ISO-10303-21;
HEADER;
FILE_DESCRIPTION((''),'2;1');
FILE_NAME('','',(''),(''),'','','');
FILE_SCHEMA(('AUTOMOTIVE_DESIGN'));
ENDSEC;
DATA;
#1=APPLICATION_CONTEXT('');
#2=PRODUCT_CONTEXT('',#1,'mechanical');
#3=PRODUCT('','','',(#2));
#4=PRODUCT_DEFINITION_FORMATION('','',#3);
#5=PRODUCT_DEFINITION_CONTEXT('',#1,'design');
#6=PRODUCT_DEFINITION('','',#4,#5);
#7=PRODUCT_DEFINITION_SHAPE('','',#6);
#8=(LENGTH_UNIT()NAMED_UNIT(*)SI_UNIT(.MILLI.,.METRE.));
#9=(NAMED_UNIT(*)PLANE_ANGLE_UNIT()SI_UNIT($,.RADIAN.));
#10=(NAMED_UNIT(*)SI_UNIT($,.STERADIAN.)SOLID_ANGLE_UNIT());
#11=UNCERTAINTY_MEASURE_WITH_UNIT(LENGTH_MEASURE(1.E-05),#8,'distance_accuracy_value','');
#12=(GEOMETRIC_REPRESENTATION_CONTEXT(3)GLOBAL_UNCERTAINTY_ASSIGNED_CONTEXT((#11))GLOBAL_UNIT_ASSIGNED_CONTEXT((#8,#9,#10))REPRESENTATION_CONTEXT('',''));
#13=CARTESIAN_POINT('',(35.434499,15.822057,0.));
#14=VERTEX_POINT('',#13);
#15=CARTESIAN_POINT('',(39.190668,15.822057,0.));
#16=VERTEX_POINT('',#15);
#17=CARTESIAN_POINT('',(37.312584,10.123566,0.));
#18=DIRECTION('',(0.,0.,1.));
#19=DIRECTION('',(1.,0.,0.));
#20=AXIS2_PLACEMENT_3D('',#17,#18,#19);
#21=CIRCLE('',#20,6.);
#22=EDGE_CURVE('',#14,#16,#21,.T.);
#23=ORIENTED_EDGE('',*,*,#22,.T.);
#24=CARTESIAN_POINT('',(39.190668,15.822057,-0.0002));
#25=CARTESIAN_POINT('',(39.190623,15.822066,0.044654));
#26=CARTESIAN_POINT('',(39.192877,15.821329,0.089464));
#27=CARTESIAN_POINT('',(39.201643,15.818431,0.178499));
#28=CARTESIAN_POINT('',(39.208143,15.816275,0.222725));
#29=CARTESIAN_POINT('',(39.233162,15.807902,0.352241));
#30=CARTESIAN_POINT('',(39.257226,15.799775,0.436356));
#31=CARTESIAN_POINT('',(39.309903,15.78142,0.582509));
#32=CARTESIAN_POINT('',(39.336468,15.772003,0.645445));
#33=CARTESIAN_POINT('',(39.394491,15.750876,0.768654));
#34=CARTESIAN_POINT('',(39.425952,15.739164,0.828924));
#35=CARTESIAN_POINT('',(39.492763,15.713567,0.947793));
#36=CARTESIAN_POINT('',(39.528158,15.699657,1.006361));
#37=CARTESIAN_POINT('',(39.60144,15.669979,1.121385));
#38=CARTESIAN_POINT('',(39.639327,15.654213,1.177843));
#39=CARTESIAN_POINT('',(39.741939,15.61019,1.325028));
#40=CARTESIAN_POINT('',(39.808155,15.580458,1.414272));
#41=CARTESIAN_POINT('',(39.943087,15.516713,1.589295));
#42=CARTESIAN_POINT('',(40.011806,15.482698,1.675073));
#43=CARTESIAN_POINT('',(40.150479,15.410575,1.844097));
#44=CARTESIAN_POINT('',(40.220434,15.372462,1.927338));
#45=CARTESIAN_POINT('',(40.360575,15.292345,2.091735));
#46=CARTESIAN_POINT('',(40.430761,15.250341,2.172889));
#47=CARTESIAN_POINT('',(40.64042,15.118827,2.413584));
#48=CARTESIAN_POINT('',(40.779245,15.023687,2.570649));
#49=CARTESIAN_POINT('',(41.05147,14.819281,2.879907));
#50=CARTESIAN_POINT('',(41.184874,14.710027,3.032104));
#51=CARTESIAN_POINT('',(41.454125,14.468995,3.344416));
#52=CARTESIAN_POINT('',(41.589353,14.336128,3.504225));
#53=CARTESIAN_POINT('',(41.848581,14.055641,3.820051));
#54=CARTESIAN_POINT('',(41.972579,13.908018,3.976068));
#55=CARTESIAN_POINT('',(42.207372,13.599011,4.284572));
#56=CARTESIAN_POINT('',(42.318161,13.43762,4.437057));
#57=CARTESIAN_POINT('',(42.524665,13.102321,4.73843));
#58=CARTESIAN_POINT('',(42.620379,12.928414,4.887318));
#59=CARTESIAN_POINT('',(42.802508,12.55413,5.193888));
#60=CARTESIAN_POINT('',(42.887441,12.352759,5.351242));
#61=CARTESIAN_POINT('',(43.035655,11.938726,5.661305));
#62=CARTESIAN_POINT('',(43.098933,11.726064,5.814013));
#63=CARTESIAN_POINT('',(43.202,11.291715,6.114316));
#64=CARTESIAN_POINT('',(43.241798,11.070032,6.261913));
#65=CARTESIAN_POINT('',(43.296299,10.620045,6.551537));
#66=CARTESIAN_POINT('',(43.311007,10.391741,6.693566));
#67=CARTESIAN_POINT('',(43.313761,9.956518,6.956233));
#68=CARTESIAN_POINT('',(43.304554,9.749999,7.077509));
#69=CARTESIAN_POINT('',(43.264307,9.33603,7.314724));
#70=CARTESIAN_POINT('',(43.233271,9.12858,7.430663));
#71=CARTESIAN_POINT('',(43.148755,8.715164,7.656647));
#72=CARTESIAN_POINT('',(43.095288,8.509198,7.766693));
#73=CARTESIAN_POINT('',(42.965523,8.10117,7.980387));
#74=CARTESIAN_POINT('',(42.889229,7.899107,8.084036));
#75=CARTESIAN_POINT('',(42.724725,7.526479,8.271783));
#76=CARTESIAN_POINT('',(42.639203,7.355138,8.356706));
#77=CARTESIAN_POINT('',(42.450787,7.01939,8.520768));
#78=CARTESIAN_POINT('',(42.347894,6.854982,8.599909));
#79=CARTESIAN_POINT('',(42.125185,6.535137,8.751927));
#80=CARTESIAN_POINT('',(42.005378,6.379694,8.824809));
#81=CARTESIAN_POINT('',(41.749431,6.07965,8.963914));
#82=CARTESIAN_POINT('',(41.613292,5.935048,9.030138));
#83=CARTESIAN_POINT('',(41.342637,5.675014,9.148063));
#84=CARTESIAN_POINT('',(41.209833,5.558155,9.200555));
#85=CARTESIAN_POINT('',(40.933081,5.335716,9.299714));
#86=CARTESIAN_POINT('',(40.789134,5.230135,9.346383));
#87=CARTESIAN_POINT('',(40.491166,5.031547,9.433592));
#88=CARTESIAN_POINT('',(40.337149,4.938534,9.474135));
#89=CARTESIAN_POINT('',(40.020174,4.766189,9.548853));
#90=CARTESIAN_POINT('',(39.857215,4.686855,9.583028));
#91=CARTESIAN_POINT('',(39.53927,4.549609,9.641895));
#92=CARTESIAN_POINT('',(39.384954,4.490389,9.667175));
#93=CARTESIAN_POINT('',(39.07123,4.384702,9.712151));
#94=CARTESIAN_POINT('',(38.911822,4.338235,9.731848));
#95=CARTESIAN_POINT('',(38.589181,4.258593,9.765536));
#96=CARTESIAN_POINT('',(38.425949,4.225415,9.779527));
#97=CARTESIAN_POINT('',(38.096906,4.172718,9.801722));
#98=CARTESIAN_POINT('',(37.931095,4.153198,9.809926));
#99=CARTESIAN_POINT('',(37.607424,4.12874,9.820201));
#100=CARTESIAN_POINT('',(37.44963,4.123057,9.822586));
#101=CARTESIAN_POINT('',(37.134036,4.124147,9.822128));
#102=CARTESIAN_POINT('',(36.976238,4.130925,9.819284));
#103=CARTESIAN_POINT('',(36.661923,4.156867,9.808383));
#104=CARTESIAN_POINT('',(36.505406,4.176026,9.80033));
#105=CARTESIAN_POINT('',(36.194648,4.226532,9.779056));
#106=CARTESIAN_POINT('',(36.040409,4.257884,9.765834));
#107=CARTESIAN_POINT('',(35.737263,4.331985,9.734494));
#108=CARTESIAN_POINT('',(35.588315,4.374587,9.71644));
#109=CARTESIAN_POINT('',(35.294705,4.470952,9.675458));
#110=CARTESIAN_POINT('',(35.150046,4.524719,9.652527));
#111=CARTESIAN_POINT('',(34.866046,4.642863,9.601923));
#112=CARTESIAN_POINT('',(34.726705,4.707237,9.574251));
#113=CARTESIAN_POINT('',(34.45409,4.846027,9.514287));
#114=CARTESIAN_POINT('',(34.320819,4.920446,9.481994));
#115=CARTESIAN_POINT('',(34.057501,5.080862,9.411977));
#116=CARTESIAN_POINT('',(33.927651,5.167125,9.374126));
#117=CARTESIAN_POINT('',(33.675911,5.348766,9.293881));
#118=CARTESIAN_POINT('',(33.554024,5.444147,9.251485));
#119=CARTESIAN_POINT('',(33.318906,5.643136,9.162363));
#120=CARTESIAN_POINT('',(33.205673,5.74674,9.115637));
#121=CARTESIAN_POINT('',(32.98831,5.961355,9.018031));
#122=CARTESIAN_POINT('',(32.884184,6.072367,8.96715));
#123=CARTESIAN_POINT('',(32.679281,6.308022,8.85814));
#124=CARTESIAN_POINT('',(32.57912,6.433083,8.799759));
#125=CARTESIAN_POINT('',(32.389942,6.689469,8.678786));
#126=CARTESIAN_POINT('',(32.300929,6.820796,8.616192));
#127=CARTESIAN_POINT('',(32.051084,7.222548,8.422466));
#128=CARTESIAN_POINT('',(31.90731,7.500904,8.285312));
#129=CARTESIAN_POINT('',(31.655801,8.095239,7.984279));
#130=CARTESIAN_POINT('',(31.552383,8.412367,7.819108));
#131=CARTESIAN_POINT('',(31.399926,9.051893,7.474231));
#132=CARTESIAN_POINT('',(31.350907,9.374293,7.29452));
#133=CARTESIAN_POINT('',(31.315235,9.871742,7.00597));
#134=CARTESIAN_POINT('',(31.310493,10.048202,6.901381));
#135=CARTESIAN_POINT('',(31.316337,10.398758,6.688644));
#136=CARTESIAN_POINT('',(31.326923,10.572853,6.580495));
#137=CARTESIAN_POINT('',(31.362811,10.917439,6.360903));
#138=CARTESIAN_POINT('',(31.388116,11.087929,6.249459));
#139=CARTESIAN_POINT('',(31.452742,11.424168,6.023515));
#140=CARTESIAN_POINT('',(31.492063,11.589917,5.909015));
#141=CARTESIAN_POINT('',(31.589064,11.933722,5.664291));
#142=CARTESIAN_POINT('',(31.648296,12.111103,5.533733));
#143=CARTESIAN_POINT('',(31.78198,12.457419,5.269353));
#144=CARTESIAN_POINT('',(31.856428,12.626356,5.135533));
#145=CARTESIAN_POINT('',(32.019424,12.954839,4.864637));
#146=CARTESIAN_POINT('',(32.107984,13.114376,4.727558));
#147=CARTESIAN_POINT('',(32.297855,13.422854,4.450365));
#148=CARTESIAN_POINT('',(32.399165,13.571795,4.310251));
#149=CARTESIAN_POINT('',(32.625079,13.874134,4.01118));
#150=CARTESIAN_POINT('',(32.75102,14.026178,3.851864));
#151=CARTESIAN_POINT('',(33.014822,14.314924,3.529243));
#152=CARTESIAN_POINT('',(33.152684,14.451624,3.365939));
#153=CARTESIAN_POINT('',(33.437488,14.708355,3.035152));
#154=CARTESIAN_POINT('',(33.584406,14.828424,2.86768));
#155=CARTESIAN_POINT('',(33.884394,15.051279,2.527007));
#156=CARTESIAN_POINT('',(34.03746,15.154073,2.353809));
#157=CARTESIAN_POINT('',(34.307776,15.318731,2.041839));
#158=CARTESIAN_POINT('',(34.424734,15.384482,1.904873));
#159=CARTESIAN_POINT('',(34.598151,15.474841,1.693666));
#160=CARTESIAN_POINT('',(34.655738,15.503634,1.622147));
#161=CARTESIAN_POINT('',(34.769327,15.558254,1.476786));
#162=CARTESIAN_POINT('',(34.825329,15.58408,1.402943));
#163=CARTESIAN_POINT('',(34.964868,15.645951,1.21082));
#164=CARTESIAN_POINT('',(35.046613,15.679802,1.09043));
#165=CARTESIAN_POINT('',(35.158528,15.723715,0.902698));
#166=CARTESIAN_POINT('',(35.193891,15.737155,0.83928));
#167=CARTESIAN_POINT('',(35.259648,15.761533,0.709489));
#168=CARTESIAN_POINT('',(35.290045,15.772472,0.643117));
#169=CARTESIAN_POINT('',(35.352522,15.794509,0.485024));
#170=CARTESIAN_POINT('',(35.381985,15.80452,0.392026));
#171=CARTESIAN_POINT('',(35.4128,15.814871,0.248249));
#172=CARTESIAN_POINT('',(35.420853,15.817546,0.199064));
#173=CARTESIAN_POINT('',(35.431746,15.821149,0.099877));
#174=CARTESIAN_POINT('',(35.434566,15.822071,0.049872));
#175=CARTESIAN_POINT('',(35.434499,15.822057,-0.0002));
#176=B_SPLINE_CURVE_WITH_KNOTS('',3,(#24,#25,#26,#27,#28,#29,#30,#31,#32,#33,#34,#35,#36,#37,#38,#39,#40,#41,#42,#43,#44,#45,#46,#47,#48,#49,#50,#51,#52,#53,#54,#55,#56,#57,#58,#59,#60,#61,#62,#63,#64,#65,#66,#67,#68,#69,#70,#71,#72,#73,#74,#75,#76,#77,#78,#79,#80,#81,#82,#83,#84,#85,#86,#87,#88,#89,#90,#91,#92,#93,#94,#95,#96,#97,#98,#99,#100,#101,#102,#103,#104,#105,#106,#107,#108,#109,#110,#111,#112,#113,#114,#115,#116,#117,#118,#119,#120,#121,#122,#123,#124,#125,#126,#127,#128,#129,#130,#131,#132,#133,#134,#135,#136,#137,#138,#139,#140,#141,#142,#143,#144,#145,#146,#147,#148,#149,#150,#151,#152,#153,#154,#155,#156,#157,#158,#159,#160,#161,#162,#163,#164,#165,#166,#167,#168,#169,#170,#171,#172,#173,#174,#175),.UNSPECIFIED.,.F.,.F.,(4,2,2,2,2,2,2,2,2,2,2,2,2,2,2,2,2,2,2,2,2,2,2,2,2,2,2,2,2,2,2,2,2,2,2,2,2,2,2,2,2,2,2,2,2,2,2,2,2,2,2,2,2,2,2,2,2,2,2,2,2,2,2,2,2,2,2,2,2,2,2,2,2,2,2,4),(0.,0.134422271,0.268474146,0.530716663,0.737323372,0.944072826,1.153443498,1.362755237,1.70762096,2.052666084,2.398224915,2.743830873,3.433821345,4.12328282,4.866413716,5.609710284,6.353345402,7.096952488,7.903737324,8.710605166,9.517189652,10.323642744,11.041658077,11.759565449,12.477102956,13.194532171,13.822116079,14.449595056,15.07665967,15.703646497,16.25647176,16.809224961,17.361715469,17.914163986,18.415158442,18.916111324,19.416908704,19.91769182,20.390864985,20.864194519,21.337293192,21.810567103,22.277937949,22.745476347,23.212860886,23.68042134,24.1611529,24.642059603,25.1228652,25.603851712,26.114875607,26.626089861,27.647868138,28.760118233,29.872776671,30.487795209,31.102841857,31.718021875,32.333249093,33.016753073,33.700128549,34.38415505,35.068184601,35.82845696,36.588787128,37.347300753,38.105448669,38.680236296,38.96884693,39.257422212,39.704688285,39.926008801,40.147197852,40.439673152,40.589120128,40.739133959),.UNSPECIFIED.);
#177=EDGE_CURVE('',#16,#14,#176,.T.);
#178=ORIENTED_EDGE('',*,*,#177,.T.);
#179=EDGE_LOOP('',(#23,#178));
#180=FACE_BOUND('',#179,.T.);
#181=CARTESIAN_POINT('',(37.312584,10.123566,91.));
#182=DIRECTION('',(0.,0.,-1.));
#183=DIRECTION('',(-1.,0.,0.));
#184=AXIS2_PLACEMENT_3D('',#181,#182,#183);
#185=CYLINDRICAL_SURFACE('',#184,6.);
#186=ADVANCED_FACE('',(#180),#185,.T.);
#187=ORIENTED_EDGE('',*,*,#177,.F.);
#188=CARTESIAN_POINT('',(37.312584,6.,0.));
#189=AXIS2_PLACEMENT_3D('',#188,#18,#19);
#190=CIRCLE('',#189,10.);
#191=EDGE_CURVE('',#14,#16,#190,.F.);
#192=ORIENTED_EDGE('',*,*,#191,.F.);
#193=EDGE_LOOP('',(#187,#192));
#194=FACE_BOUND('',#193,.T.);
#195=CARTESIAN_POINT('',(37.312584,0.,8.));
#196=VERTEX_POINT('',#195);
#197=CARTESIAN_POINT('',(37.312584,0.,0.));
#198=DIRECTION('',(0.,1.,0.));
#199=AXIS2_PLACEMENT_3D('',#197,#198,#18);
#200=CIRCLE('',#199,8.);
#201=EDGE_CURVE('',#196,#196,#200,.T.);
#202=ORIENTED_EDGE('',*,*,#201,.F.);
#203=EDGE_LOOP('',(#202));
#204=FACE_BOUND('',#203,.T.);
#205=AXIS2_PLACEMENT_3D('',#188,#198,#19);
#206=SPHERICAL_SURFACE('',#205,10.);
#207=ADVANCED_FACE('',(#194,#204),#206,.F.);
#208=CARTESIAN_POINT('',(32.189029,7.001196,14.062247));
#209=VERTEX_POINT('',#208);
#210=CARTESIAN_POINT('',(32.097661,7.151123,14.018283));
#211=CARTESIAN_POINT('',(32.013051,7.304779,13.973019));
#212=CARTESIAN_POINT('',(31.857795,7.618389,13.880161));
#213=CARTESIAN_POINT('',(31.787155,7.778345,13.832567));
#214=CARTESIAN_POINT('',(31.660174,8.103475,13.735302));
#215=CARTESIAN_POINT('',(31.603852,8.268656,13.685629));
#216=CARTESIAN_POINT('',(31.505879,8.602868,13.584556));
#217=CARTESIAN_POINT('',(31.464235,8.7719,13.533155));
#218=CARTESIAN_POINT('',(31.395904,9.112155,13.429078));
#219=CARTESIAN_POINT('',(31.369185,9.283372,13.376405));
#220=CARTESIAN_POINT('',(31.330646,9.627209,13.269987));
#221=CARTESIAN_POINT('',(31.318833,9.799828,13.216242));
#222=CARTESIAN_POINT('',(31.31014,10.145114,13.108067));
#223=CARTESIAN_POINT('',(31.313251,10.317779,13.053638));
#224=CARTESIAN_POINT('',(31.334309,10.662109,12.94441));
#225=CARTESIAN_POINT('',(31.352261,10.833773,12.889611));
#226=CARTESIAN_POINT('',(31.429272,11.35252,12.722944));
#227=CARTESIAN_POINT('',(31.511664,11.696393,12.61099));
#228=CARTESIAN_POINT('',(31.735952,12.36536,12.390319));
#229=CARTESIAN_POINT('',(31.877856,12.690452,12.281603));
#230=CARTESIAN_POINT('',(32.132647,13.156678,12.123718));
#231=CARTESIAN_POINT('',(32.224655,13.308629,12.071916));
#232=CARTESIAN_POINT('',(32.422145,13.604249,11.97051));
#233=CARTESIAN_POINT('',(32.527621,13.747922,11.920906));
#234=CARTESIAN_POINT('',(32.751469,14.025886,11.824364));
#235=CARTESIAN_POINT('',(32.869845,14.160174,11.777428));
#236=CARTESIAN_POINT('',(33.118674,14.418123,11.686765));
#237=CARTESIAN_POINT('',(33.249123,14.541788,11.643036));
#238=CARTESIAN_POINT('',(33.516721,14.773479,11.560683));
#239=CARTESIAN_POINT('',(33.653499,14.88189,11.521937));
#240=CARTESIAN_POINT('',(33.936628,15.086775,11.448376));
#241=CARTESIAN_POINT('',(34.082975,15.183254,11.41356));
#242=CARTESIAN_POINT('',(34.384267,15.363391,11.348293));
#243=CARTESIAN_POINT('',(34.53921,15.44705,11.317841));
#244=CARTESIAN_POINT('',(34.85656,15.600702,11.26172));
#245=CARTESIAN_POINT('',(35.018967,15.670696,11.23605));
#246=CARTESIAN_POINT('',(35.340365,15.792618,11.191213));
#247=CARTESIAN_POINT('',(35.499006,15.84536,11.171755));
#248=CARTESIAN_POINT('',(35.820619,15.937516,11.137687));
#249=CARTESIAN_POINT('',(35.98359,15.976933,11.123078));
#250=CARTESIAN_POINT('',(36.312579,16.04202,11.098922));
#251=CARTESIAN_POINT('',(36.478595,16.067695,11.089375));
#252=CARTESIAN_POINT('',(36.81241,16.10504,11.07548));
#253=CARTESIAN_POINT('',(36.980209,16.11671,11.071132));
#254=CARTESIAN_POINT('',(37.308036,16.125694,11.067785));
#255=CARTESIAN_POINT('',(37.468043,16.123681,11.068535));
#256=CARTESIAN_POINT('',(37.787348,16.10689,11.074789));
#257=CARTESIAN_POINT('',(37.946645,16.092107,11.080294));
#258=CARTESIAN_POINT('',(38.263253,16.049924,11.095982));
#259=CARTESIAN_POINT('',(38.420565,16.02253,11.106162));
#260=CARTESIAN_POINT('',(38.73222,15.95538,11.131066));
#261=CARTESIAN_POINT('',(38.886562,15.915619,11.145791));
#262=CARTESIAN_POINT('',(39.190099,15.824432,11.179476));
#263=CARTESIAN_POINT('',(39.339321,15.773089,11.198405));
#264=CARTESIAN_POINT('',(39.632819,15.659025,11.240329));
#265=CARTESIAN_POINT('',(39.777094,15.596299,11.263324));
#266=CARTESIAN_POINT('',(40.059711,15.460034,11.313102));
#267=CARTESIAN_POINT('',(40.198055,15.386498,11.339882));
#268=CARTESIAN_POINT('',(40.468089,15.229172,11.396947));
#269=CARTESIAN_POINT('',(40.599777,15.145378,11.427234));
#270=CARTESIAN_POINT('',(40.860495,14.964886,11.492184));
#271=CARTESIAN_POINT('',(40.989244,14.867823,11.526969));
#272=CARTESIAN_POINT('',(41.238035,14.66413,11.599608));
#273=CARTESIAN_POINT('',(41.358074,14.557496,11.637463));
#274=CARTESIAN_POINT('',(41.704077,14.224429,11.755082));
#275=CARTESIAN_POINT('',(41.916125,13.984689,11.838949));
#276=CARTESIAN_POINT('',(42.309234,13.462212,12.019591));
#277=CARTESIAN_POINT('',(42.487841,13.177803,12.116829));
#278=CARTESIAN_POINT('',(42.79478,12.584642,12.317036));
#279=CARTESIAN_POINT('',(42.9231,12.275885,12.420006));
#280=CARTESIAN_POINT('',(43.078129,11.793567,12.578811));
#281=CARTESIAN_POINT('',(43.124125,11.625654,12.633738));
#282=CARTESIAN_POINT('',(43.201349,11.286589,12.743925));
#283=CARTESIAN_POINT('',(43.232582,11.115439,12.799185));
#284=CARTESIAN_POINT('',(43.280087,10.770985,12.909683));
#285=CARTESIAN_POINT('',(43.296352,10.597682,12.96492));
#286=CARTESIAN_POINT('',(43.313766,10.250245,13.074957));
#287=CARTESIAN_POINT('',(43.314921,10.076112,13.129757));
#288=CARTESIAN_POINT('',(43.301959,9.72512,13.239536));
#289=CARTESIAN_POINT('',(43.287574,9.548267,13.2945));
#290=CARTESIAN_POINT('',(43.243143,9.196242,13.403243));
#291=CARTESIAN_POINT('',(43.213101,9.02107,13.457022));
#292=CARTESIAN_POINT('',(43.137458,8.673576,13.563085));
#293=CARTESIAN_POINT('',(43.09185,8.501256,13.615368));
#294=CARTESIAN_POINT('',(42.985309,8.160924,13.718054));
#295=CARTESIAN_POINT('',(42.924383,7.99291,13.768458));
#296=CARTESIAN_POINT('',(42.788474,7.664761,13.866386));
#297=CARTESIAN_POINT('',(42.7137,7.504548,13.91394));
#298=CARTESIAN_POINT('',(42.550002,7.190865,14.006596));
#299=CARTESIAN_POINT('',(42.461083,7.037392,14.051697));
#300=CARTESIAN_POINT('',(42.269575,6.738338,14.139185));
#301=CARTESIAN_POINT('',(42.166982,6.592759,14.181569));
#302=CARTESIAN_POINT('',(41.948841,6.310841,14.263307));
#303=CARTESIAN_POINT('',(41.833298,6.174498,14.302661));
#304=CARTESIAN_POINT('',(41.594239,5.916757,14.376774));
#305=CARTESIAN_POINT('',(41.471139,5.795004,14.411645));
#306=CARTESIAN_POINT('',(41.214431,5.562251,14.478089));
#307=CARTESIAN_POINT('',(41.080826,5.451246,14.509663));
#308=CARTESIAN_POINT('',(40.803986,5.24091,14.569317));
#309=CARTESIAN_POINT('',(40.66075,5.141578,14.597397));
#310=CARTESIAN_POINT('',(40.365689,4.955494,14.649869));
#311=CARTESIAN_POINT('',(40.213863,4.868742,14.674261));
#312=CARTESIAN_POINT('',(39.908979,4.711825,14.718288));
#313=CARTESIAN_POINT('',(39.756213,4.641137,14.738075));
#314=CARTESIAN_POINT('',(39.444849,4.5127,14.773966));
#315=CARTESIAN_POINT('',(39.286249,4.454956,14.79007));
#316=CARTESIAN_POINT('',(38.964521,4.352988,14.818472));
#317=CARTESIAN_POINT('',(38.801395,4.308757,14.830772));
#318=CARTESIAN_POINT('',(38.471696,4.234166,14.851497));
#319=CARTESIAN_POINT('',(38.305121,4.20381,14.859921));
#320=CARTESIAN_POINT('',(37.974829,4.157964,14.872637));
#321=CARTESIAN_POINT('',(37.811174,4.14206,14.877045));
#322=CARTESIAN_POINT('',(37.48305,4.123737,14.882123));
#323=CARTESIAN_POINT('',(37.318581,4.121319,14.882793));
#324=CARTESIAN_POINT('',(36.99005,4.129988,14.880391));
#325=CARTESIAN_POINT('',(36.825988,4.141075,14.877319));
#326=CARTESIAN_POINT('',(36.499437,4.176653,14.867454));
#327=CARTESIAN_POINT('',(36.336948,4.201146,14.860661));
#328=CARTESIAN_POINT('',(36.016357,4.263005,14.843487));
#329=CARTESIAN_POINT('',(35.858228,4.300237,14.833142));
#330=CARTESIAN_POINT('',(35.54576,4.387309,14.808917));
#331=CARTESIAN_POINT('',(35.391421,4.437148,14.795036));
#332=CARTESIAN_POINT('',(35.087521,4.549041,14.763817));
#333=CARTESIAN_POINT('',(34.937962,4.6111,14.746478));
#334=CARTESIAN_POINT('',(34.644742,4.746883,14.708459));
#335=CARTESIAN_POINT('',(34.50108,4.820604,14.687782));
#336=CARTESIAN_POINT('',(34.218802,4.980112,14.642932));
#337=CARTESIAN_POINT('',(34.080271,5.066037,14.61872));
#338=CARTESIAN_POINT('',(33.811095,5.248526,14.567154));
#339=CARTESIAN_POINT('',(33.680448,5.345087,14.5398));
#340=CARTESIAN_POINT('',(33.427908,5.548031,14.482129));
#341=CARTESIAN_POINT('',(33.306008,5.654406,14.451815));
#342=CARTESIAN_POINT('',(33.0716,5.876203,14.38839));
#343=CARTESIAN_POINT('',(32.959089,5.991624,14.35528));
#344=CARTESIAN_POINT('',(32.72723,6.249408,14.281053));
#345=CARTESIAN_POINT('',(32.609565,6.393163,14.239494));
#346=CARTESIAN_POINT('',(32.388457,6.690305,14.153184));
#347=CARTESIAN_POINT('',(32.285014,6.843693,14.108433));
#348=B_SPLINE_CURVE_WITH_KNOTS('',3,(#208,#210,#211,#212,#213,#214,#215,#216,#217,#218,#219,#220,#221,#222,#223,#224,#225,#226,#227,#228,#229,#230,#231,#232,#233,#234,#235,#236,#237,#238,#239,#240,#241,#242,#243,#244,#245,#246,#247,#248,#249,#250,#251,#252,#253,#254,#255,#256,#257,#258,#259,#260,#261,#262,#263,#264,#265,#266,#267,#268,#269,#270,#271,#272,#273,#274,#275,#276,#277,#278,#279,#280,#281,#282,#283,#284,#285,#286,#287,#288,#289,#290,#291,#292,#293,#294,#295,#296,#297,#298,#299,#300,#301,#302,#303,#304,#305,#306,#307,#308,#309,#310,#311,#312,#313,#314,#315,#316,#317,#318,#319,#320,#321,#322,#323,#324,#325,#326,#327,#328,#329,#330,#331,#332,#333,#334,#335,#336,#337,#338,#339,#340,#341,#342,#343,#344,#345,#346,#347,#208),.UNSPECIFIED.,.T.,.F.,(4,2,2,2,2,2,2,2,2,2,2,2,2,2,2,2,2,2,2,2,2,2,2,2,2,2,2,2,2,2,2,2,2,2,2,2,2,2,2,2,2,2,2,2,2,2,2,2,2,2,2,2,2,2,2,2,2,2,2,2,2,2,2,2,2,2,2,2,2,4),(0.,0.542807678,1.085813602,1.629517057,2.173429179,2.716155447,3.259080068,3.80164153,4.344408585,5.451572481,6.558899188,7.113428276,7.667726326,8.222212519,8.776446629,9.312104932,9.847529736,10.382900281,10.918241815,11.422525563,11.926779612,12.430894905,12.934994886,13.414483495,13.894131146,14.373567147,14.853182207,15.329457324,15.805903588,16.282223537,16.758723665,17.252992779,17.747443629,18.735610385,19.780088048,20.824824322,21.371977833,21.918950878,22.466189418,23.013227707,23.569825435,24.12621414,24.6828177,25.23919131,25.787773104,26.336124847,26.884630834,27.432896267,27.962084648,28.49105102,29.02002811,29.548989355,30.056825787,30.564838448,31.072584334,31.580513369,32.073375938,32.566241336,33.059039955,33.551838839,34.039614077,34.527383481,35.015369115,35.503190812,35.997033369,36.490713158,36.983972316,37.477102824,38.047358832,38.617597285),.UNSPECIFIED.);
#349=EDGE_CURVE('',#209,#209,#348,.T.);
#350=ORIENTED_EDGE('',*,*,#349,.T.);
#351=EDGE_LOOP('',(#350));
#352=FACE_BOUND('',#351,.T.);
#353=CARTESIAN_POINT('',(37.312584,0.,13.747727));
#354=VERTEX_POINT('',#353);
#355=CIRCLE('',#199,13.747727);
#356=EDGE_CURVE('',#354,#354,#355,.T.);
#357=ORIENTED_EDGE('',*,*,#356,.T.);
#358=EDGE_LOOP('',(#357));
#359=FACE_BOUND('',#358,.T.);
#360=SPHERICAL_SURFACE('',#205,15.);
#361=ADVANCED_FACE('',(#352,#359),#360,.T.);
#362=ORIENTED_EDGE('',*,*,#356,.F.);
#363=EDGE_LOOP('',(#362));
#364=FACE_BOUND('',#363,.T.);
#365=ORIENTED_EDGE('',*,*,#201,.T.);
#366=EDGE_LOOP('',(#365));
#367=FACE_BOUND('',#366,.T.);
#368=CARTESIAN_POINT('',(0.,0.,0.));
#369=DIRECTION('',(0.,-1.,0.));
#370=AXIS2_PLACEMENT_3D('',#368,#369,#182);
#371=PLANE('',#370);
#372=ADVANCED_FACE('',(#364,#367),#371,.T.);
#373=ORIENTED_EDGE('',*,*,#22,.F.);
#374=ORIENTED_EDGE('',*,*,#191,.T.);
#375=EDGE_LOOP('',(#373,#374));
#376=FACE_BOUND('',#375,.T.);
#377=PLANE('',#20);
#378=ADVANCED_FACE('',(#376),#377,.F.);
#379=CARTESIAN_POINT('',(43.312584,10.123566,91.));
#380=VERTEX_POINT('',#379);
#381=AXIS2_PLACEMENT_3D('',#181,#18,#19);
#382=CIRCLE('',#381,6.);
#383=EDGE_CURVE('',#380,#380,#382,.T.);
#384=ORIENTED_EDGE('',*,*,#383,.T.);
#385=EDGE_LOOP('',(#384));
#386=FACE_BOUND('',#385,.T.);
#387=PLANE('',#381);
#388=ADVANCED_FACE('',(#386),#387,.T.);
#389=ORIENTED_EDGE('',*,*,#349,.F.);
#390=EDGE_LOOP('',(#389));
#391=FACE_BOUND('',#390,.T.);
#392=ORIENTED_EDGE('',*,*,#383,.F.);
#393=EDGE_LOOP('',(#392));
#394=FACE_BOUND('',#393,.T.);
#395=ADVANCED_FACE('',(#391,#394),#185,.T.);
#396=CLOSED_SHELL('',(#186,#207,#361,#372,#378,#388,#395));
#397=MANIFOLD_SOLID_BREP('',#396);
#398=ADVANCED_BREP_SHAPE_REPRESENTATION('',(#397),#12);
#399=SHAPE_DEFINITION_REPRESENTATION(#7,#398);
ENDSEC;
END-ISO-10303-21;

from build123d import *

# Parameters (mm, degrees)
SKETCH2_R           = 6
BOSS_EXTRUDE1_DEPTH = 91


with BuildPart() as part:
    # Sketch1 → Revolve1 (revolve)
    with BuildSketch(Plane.XY, mode=Mode.PRIVATE) as revolve1_sk:
        with BuildLine():
            ThreePointArc((37.312583507, 16), (28.368311597, 10.472135955), (29.312583507, 0))
            Line((29.312583507, 0), (23.564856422, 0))
            ThreePointArc((23.564856422, 0), (24.762683109, 14.215838363), (37.312583507, 21))
            Line((37.312583507, 21), (37.312583507, 16))
        make_face()
    revolve(revolve1_sk.sketch.rotate(Axis((37.312583507, 21, 0), (0, -1, 0)), 180), axis=Axis((37.312583507, 21, 0), (0, -1, 0)))

    # Sketch2 → Boss-Extrude1 (add)
    with BuildSketch(Plane.XY):
        with Locations(Location((37.312583507, 10.123565848, 0), (0, 0, 211.358745585))):
            Circle(SKETCH2_R)
    extrude(amount=BOSS_EXTRUDE1_DEPTH)


solid = part.part
